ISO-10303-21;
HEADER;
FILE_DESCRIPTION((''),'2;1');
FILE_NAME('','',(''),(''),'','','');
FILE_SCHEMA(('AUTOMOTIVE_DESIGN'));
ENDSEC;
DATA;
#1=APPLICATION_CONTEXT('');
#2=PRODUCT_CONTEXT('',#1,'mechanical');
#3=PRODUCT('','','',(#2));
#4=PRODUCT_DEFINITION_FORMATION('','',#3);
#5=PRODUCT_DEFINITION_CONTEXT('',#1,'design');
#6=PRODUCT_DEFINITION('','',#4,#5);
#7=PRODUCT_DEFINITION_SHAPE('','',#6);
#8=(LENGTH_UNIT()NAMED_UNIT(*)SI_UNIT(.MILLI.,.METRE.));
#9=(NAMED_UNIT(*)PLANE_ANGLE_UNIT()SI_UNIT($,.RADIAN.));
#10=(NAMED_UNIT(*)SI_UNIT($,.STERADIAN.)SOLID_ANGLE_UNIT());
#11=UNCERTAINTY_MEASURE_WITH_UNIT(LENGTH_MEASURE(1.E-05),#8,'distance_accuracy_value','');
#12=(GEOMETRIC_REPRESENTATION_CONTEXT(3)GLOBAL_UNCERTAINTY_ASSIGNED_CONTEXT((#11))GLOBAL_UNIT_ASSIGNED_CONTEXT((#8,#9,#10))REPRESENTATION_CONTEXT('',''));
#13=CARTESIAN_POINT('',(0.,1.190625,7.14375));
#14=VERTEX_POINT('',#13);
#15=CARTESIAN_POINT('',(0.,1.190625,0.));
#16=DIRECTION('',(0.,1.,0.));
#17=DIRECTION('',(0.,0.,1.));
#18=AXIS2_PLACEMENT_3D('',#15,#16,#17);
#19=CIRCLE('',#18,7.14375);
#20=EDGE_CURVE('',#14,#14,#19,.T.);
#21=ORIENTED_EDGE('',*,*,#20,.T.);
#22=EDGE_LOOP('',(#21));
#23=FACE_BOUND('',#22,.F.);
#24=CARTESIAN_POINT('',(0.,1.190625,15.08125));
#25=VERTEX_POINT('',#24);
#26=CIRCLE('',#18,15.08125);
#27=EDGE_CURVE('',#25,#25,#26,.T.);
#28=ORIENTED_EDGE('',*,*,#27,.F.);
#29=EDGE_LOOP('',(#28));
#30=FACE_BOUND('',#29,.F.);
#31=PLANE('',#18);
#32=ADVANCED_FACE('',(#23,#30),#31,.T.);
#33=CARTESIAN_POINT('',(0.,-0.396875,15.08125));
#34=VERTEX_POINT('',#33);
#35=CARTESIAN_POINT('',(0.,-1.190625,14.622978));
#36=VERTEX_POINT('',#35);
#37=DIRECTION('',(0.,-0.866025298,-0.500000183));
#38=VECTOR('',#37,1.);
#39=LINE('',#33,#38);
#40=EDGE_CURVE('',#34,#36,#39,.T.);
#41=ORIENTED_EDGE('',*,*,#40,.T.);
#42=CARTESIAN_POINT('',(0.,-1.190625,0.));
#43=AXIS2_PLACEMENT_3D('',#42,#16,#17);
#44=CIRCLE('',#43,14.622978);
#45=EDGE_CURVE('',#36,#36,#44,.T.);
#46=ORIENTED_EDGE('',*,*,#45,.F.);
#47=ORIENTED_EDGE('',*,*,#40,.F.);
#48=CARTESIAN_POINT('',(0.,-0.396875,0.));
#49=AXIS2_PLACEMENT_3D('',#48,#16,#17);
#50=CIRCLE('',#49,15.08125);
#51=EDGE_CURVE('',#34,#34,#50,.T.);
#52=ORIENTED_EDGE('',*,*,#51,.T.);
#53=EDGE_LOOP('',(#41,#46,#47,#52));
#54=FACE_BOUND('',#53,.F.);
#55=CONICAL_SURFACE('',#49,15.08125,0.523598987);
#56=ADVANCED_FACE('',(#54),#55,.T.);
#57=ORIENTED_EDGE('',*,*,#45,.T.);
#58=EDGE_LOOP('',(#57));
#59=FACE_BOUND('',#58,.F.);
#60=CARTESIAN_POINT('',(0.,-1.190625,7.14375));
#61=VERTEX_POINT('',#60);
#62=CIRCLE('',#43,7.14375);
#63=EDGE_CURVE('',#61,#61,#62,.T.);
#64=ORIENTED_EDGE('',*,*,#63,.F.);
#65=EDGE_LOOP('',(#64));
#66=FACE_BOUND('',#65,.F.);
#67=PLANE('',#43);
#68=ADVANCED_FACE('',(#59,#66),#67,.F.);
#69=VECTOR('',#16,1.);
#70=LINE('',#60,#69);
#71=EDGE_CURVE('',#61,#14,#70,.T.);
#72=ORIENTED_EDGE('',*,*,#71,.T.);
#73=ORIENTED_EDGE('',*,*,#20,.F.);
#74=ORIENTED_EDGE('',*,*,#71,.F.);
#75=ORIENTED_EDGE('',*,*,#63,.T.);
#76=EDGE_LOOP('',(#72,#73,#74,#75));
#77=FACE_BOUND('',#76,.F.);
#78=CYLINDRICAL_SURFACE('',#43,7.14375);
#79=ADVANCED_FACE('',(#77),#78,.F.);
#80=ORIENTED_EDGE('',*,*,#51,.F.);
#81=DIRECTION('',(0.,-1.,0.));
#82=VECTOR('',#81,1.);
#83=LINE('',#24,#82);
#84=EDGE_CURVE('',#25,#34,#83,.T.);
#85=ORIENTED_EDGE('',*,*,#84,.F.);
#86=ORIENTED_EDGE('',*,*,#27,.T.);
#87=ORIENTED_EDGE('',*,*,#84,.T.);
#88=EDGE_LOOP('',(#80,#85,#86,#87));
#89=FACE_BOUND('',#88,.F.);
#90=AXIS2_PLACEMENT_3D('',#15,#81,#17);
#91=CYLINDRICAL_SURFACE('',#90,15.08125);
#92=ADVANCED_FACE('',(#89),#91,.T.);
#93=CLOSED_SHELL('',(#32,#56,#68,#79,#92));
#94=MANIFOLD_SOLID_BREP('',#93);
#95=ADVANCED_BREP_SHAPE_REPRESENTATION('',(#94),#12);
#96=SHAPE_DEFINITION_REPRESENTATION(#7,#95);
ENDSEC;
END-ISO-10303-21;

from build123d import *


with BuildPart() as f1:
    # F0 (on Right) → F1 (revolve)
    with BuildSketch(Plane.YZ):
        Polygon((-0.396875, 15.08125), (-1.190625, 14.622978), (-1.190625, 7.14375), (1.190625, 7.14375), (1.190625, 15.08125), align=None)
    revolve(axis=Axis((0, 0.197977, 0), (0, 1, 0)))


solid = f1.part
